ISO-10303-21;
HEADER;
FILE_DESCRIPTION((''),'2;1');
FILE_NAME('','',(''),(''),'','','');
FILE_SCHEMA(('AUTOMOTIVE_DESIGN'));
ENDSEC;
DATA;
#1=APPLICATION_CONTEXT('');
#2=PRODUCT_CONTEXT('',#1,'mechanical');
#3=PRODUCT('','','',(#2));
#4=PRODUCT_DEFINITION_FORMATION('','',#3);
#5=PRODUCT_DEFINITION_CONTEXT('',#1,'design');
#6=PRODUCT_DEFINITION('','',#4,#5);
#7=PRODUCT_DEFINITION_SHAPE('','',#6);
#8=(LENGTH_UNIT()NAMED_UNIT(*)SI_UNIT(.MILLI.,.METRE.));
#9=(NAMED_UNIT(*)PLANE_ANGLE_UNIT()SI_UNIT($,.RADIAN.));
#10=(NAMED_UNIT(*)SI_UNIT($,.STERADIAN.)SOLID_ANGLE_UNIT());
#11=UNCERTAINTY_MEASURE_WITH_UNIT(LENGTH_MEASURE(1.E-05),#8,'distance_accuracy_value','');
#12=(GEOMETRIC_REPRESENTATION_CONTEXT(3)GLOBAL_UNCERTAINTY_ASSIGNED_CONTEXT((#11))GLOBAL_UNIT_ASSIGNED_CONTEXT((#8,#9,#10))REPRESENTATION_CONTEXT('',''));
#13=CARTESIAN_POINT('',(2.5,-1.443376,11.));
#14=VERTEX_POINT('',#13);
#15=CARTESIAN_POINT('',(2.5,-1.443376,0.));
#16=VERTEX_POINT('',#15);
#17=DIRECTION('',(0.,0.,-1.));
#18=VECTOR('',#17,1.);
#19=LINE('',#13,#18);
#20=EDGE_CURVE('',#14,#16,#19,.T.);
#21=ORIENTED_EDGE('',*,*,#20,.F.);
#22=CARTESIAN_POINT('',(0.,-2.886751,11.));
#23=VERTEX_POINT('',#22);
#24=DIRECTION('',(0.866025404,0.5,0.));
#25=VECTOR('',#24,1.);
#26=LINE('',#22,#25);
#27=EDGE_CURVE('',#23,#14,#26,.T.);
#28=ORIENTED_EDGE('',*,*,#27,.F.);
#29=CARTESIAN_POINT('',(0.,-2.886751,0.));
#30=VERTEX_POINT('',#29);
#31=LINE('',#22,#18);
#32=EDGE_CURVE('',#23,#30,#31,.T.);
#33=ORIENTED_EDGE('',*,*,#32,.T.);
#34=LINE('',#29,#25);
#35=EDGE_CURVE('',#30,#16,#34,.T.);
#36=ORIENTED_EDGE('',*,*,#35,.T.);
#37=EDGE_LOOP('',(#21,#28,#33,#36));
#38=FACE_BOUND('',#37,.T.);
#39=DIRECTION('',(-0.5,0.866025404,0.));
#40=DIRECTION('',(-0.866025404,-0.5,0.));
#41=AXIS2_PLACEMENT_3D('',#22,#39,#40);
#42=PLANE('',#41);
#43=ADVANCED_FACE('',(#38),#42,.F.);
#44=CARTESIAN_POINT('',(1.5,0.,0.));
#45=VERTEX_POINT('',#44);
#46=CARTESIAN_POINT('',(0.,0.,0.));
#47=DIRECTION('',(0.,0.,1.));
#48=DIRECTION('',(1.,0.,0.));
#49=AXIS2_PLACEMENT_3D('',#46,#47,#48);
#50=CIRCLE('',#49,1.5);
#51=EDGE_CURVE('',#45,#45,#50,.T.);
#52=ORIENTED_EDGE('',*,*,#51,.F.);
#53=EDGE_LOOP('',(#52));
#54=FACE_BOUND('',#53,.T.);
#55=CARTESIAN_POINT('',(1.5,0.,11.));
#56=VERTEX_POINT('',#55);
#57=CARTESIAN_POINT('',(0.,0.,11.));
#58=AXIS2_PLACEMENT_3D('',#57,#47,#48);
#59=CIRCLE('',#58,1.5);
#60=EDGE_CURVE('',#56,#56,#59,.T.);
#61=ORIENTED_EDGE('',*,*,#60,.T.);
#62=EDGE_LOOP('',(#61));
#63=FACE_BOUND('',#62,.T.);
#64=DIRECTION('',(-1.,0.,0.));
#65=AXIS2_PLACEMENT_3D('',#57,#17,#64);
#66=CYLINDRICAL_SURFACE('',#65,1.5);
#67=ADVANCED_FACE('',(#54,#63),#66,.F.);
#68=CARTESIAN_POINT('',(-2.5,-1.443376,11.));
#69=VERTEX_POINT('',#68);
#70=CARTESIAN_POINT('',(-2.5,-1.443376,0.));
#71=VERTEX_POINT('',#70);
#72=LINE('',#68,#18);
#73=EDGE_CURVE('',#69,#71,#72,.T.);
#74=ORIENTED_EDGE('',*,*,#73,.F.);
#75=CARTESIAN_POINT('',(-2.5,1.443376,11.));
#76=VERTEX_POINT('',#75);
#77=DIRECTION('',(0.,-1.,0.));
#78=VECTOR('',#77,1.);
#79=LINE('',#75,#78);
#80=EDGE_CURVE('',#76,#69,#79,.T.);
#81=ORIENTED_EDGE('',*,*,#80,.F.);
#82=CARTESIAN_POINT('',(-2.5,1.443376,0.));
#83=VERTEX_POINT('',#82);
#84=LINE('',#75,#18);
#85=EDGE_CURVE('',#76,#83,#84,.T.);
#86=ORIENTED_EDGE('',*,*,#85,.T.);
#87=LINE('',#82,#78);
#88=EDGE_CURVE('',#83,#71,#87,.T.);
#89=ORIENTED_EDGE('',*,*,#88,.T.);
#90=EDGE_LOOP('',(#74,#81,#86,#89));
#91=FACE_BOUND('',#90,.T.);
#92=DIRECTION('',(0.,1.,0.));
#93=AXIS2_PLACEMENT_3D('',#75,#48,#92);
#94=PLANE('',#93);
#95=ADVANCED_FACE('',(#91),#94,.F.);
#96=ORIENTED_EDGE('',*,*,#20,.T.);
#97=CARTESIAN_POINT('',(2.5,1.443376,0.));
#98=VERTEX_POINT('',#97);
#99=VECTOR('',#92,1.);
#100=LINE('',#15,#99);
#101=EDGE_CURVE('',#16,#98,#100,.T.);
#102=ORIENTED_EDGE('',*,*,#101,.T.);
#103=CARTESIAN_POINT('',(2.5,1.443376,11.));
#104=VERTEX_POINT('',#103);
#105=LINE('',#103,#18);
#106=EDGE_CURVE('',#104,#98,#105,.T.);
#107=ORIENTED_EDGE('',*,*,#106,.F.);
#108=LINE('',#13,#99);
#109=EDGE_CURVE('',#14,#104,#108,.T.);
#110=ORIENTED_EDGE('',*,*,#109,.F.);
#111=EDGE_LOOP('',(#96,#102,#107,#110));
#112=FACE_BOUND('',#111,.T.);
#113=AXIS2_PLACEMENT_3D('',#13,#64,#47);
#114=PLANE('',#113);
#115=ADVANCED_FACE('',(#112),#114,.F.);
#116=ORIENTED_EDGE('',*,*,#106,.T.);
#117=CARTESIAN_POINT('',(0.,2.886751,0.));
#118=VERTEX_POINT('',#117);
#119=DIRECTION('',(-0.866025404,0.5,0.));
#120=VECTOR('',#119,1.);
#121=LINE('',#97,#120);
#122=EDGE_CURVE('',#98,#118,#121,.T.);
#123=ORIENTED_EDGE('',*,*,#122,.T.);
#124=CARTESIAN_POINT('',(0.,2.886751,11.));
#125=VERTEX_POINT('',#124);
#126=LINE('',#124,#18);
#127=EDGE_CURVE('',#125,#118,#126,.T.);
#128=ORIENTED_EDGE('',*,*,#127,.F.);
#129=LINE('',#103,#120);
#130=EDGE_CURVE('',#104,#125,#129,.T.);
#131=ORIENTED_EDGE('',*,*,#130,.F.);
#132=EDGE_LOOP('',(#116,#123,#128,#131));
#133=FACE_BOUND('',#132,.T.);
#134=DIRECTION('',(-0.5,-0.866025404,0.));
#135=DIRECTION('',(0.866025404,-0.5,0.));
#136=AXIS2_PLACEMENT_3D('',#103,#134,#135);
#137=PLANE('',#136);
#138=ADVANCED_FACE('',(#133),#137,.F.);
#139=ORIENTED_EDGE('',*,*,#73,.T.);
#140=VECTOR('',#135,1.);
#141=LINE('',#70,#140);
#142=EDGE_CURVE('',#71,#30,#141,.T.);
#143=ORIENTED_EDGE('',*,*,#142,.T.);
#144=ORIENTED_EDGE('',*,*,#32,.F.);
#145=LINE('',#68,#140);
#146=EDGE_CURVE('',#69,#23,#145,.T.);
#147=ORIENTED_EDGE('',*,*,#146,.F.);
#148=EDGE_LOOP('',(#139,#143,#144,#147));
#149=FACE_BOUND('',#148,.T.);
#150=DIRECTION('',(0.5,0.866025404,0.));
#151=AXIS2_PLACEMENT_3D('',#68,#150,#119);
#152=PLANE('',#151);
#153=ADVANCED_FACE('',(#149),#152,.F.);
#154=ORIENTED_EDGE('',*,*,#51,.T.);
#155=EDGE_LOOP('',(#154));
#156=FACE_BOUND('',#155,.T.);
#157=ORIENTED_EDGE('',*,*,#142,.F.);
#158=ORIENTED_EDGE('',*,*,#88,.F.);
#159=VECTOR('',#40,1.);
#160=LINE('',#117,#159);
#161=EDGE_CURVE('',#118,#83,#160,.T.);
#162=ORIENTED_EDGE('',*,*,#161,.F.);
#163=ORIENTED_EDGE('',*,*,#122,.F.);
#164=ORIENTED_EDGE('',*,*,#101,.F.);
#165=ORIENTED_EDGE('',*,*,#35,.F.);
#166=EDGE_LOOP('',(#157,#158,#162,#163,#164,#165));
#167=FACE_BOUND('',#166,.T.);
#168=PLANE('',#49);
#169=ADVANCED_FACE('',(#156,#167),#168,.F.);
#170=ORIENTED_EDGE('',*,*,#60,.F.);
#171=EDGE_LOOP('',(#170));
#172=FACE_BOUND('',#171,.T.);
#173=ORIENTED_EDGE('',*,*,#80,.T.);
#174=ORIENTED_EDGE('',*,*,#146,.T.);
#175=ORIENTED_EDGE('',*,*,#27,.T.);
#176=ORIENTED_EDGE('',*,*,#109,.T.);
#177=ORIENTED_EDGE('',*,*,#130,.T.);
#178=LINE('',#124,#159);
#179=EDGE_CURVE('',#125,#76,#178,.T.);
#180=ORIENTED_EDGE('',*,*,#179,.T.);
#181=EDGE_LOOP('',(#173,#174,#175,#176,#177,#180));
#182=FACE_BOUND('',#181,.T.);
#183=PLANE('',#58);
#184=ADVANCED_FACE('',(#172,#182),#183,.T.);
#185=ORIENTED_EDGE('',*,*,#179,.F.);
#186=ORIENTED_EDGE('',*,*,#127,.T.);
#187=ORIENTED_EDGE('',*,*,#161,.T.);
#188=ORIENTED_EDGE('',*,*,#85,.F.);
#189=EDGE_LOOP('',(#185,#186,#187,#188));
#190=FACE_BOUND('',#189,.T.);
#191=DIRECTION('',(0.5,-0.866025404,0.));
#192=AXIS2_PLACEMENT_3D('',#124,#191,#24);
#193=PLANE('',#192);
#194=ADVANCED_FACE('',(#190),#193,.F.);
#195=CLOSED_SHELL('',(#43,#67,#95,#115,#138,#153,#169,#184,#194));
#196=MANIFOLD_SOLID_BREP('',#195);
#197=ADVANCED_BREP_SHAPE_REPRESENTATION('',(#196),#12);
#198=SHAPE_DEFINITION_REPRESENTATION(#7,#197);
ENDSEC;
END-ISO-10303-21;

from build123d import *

# Parameters (mm, degrees)
ESQUISSE1_R        = 1.5
BOSS_EXTRU_1_DEPTH = 11


with BuildPart() as part:
    # Esquisse1 → Boss.-Extru.1 (new body)
    with BuildSketch(Plane.XY):
        Polygon((2.5, 1.443375673), (0, 2.886751346), (-2.5, 1.443375673), (-2.5, -1.443375673), (0, -2.886751346), (2.5, -1.443375673), align=None)
        Circle(ESQUISSE1_R, mode=Mode.SUBTRACT)
    extrude(amount=BOSS_EXTRU_1_DEPTH)


solid = part.part
